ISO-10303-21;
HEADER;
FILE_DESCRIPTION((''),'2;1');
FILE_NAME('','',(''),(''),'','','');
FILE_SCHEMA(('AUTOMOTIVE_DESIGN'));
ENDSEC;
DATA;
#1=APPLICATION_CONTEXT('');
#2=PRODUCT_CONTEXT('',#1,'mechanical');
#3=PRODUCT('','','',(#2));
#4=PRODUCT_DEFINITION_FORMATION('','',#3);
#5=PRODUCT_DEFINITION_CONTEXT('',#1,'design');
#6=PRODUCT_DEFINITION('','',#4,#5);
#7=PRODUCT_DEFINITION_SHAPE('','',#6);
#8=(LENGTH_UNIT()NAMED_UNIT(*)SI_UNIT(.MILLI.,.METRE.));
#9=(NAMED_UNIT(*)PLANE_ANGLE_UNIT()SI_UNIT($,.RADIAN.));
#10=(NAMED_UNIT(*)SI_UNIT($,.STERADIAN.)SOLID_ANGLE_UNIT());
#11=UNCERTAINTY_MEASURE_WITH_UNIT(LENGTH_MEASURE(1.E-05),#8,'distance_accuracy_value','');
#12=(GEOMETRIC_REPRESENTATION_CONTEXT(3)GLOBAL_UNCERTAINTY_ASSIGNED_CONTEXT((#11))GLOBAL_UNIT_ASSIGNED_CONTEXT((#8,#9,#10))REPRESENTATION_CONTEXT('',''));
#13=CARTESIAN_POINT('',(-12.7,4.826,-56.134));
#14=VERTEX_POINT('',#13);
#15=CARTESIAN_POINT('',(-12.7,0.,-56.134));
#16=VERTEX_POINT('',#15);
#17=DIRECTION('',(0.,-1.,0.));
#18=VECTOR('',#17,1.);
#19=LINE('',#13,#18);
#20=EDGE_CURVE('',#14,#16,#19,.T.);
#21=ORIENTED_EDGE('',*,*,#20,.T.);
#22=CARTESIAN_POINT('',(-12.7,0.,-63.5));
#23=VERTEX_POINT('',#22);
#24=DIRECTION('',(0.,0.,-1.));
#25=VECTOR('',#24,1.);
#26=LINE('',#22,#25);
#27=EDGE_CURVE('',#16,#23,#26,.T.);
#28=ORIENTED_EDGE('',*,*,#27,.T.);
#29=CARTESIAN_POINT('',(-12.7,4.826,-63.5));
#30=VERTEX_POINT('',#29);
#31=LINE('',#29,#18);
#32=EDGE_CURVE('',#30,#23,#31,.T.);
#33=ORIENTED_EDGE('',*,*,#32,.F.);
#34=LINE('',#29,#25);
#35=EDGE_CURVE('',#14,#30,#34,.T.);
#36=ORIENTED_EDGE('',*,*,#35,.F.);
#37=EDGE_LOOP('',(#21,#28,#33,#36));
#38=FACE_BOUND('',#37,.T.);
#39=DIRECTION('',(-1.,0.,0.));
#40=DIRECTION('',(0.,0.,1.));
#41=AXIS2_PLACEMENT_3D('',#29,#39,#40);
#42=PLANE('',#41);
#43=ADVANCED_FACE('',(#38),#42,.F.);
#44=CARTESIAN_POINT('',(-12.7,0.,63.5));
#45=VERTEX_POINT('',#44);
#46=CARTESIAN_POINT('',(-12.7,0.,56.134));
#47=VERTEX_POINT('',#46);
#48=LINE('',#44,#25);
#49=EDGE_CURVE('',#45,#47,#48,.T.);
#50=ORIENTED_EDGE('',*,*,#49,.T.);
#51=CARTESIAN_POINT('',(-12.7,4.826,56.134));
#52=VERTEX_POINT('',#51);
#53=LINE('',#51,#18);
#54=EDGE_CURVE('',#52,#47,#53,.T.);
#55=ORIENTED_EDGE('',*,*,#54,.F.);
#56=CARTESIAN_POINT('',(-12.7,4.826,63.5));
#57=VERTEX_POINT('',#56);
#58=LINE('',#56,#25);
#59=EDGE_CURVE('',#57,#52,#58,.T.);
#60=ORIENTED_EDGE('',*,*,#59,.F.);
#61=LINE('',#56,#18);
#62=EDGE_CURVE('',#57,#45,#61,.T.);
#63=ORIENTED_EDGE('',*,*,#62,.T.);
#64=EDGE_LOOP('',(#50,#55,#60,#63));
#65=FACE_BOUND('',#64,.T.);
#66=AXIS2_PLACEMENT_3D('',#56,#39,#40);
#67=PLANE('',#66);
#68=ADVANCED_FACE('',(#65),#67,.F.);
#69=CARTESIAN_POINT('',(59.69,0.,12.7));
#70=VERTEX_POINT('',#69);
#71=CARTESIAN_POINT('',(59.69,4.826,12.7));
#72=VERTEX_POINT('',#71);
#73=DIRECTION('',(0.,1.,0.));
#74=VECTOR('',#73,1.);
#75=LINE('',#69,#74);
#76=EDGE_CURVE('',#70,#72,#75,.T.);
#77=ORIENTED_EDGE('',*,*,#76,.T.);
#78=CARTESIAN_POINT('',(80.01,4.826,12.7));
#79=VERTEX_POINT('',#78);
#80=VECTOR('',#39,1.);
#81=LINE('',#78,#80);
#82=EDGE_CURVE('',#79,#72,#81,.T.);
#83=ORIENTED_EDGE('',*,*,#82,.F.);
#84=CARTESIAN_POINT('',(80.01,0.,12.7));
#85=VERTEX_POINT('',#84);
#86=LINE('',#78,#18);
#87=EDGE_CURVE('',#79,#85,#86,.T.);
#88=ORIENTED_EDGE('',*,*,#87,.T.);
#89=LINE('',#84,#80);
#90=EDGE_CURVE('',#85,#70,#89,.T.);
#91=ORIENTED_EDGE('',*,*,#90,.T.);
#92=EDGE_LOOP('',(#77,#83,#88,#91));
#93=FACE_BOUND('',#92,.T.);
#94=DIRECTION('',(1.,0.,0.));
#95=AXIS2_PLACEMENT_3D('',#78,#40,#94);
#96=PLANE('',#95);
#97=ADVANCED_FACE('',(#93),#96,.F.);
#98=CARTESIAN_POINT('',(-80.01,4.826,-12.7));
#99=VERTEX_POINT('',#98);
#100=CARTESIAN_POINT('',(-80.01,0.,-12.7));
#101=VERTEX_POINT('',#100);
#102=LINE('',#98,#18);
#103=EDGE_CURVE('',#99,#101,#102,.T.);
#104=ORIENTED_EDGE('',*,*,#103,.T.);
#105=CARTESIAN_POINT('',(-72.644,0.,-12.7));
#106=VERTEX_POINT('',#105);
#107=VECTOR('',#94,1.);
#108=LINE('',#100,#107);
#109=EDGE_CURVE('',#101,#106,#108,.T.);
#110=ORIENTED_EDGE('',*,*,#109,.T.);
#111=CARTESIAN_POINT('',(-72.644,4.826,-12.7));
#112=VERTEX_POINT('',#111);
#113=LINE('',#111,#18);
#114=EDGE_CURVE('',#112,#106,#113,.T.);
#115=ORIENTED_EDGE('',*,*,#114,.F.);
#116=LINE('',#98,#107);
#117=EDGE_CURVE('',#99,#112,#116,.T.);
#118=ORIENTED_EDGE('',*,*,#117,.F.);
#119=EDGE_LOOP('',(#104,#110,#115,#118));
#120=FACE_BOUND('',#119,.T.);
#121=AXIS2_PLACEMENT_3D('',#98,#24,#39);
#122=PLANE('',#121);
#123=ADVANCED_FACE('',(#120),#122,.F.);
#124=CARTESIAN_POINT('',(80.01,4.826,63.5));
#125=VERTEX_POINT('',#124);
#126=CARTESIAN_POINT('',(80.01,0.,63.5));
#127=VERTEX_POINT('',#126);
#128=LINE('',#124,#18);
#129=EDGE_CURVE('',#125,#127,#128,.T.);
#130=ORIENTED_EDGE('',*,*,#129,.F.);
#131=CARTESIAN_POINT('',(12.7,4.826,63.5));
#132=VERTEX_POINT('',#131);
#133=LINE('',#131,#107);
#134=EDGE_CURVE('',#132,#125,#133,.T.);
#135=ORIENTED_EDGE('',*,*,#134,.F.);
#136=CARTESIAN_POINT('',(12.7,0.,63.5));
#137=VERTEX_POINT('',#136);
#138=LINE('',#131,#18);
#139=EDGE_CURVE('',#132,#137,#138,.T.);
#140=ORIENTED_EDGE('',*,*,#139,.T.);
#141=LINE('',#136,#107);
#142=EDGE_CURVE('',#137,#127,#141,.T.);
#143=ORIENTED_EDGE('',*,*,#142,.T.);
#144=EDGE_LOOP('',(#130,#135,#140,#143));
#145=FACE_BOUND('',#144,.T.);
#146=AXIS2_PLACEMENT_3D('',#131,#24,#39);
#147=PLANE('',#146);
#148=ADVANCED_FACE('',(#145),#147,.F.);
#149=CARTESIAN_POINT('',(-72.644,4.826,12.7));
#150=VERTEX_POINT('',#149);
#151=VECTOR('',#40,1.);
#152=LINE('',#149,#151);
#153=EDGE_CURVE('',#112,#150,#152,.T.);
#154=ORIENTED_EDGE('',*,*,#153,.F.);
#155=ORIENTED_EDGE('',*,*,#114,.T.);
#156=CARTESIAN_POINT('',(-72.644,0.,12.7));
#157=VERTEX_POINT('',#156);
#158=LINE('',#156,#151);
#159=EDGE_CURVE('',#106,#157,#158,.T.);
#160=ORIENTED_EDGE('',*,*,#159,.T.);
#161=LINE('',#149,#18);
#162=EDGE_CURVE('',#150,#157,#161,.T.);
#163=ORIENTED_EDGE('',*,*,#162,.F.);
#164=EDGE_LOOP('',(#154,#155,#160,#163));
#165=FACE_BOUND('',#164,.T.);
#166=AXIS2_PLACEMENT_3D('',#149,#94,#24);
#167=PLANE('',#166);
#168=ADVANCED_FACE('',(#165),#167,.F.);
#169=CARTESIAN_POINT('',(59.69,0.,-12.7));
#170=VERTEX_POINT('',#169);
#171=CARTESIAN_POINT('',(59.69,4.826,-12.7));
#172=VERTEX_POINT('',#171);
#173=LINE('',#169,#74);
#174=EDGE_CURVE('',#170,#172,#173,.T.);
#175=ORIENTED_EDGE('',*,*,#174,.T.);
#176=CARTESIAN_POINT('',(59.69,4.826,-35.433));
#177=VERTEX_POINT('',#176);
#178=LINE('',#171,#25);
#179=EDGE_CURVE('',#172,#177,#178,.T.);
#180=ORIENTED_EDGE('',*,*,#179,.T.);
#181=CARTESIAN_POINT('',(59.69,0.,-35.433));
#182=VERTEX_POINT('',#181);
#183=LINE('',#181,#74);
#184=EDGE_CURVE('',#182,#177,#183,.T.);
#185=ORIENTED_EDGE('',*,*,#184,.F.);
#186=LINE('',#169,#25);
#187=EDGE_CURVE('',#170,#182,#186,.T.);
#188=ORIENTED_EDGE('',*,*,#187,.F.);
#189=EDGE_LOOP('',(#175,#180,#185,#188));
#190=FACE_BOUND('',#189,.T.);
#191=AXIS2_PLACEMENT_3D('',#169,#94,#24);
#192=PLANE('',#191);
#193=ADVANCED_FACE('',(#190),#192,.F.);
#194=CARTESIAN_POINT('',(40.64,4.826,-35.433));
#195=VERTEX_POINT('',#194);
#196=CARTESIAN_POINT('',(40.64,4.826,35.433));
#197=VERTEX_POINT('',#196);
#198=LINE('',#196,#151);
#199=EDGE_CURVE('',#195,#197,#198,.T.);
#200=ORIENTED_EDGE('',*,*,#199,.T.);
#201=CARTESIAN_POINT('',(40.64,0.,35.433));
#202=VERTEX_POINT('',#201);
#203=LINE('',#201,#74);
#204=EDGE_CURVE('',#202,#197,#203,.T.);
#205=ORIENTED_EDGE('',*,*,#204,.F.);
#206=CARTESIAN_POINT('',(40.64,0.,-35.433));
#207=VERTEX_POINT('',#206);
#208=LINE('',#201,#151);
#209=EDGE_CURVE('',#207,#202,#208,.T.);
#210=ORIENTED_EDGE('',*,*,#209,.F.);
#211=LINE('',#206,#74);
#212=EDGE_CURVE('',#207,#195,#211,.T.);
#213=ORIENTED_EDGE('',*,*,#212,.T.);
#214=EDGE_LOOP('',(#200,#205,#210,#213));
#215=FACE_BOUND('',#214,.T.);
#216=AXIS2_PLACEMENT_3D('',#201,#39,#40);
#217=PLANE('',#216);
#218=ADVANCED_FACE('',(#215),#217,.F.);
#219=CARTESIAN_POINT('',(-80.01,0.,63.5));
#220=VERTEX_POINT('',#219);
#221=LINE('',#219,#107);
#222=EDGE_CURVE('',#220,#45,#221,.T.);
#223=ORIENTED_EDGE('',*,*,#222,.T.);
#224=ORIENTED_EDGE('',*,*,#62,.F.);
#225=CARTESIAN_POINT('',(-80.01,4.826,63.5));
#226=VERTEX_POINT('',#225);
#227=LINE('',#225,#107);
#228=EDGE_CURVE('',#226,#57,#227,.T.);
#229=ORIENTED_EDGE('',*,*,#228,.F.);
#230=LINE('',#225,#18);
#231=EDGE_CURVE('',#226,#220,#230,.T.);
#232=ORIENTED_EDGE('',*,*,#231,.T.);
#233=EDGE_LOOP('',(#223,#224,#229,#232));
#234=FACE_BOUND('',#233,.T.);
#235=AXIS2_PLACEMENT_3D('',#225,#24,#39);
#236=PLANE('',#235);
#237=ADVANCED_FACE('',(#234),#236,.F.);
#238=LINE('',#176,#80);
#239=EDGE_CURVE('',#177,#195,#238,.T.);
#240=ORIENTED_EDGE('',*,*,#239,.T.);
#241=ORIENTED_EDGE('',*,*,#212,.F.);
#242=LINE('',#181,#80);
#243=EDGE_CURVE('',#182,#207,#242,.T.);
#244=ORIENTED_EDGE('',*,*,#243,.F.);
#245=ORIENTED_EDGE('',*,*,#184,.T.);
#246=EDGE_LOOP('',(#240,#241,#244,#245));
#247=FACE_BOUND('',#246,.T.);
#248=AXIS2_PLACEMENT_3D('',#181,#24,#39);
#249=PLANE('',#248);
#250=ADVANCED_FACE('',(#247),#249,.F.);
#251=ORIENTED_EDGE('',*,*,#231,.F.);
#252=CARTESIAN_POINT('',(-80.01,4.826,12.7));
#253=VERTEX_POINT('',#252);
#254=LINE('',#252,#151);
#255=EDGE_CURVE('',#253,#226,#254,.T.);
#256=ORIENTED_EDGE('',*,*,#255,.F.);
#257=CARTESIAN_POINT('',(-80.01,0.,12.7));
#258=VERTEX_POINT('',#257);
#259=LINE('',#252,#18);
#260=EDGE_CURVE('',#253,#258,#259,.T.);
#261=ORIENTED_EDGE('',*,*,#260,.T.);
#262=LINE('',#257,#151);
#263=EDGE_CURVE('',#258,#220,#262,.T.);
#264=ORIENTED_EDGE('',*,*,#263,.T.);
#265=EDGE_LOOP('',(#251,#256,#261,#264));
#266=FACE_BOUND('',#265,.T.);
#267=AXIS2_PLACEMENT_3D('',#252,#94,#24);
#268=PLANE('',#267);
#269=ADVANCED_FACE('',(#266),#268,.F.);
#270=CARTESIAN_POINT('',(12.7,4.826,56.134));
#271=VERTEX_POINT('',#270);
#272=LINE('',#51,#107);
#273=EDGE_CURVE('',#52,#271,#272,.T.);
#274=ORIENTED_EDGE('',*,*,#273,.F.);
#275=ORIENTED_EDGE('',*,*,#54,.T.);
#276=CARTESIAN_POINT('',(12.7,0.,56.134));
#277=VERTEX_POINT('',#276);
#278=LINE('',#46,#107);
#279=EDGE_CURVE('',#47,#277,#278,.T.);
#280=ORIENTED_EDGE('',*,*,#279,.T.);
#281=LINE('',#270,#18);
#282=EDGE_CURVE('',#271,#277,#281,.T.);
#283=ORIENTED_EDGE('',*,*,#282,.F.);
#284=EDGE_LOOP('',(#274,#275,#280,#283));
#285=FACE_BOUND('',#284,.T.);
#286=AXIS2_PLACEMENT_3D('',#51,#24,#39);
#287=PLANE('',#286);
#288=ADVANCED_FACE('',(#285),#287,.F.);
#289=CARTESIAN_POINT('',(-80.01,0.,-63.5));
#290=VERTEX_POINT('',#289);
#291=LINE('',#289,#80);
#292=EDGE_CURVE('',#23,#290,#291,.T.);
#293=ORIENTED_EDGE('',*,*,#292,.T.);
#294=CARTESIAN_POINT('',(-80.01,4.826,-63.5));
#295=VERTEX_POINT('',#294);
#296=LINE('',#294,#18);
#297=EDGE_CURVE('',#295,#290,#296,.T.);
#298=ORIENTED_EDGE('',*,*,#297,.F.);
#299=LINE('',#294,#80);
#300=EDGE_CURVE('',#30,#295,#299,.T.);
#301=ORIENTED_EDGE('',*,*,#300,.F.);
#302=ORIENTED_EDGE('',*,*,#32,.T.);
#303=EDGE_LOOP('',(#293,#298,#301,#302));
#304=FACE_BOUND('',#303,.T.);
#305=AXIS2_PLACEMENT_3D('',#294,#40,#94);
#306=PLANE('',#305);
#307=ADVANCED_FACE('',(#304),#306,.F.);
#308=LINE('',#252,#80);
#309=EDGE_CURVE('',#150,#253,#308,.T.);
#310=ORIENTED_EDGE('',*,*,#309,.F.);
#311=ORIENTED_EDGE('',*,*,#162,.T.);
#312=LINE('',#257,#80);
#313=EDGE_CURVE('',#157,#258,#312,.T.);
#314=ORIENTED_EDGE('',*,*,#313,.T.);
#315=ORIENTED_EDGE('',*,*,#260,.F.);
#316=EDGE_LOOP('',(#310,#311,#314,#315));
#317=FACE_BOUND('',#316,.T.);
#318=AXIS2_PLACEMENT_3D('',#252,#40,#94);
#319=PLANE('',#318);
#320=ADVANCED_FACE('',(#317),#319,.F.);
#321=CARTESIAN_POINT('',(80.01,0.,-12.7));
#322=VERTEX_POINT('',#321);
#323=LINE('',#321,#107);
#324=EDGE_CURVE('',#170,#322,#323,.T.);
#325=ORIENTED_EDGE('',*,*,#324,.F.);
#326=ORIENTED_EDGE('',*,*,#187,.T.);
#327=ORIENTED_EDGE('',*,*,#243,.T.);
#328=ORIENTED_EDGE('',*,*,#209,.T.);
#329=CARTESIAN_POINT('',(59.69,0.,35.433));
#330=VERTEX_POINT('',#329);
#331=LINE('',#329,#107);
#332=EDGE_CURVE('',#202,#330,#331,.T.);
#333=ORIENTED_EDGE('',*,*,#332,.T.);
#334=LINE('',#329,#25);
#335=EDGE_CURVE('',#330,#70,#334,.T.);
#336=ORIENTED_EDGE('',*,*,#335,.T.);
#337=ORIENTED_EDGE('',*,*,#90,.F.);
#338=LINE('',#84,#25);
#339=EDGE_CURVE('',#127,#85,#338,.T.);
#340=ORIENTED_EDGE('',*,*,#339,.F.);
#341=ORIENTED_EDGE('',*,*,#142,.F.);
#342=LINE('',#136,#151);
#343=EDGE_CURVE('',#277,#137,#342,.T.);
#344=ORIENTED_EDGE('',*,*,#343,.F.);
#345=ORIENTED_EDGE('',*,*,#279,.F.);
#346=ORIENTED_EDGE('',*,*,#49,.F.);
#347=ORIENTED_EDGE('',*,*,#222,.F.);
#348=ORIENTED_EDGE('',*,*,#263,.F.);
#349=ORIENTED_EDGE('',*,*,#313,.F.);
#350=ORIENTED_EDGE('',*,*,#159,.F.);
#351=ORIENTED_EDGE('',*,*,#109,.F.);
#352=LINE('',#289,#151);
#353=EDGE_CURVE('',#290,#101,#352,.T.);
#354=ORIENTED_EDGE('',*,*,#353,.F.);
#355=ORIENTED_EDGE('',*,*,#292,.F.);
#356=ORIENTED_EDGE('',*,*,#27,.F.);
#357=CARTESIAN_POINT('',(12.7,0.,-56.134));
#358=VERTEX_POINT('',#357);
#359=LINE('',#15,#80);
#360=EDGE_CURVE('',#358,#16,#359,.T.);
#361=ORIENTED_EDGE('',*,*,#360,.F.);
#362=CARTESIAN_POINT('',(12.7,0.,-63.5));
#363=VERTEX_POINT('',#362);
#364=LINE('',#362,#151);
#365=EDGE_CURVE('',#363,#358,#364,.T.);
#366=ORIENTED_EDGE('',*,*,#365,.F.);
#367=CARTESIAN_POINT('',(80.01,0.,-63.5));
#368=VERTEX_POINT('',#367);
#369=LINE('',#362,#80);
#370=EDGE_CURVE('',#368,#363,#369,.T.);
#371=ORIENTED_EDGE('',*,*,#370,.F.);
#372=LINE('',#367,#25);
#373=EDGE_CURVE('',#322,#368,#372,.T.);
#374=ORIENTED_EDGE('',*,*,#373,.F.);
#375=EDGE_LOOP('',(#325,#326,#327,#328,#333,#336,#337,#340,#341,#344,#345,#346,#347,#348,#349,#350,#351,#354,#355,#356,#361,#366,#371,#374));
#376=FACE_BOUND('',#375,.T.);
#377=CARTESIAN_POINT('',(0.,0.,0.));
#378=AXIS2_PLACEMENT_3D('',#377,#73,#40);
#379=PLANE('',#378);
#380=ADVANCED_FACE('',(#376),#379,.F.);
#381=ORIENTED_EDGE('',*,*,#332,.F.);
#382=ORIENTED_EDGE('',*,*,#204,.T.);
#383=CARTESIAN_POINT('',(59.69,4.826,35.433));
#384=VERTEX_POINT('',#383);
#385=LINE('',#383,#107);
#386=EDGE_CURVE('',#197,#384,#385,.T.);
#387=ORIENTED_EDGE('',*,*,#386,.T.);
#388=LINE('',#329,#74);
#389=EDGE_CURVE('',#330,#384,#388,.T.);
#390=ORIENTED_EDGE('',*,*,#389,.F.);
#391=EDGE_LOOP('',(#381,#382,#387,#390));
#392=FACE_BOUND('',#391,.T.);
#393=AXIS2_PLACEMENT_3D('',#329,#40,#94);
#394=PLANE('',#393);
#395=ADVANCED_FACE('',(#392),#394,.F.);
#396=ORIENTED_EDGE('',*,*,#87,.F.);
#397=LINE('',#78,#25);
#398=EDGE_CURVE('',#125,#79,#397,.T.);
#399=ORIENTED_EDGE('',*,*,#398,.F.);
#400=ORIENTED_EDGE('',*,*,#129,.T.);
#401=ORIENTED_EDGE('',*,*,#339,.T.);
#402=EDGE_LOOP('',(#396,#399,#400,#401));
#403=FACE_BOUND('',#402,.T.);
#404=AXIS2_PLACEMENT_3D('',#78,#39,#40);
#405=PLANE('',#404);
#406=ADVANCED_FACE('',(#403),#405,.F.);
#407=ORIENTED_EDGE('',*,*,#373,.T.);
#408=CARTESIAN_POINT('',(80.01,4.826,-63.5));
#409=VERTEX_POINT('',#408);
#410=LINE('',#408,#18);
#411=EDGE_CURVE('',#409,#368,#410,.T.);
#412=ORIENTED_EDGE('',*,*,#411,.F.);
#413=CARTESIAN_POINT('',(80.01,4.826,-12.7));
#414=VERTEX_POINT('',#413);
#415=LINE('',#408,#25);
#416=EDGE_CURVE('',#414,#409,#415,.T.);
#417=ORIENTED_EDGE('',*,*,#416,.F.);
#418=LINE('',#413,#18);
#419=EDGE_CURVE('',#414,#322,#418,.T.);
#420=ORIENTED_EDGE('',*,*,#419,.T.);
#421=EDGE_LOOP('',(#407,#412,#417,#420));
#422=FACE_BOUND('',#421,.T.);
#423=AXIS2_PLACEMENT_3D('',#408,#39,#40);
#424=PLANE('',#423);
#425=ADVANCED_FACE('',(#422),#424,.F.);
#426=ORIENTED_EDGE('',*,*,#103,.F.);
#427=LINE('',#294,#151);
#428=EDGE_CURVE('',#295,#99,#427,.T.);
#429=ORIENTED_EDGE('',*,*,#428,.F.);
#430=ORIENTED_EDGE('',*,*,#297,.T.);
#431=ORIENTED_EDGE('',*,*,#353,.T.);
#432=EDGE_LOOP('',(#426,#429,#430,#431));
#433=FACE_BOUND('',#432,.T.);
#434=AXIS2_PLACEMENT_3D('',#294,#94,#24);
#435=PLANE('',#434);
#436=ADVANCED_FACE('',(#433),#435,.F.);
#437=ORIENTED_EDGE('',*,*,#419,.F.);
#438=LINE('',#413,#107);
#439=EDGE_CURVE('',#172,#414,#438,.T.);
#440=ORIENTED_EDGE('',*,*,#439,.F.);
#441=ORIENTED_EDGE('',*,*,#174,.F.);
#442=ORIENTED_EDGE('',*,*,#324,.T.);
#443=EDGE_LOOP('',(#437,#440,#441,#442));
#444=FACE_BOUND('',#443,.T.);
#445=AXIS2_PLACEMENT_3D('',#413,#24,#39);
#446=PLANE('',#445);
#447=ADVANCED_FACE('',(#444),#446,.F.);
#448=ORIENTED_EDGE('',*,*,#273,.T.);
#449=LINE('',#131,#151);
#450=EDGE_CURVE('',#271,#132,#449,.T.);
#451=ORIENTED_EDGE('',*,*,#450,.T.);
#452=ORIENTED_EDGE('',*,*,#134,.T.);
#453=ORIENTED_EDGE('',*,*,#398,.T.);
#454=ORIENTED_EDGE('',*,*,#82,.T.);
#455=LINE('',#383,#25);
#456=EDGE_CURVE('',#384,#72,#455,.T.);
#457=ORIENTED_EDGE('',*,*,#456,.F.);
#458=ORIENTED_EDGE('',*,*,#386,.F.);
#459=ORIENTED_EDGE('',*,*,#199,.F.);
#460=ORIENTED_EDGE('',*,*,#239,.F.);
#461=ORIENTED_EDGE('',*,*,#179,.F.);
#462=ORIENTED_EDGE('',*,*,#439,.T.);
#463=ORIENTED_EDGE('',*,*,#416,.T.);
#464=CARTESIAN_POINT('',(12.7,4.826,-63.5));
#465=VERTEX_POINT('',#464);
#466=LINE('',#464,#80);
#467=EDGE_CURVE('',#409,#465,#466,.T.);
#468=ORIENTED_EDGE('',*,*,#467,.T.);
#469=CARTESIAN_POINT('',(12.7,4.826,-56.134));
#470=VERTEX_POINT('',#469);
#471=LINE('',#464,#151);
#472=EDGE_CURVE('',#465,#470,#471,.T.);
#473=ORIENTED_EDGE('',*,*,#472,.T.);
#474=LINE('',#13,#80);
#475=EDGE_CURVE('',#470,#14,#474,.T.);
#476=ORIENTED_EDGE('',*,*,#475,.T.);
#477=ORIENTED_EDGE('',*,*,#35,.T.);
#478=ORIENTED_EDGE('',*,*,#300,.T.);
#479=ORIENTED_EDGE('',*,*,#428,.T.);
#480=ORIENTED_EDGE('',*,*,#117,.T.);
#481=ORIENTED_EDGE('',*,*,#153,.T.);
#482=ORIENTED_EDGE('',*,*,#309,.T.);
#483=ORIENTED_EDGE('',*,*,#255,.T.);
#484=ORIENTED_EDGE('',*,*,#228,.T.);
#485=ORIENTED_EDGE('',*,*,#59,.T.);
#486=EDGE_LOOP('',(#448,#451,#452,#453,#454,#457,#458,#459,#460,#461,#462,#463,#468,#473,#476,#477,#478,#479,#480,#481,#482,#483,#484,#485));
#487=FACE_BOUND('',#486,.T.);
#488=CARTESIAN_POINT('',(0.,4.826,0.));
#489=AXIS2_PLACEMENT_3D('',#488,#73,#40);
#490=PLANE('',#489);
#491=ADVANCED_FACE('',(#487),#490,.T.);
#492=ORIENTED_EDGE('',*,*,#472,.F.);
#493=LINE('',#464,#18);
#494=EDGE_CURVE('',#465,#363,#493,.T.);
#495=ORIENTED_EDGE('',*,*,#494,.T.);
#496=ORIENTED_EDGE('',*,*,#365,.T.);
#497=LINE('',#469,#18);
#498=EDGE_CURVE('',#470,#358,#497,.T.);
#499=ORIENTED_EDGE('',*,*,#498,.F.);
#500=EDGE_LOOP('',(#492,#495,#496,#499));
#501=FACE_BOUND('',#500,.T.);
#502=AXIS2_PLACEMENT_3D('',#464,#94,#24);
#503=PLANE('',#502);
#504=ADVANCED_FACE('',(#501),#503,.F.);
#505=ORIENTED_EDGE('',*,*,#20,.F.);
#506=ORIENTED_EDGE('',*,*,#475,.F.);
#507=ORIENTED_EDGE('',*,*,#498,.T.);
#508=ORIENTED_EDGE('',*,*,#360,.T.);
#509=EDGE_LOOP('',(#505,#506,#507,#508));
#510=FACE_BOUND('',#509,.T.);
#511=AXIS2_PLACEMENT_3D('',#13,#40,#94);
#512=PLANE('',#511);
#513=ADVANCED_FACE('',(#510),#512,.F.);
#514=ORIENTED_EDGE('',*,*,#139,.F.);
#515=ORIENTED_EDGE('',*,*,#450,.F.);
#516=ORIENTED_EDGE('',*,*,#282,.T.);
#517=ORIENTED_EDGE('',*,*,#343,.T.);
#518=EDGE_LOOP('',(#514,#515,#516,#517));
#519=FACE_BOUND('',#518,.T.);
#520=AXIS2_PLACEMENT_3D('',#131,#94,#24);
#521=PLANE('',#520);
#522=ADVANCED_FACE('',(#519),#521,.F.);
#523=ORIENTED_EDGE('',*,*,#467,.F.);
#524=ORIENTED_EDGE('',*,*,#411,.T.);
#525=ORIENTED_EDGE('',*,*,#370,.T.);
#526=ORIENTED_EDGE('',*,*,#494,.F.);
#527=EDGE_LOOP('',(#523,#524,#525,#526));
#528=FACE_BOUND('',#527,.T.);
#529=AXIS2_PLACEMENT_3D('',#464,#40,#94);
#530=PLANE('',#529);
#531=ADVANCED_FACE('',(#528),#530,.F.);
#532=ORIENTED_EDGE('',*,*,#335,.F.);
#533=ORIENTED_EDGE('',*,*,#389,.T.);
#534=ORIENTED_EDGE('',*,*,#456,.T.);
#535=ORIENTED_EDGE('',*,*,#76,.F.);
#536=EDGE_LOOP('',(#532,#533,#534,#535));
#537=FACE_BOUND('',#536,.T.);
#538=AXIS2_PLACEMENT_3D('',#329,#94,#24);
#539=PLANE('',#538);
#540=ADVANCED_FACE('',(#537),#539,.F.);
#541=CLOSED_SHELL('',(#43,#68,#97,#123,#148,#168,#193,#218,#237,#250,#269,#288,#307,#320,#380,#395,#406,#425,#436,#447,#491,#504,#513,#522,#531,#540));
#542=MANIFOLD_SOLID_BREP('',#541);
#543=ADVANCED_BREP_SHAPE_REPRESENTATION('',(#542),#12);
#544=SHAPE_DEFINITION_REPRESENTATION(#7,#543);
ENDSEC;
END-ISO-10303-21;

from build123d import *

# Parameters (mm, degrees)
BOSS_EXTRUDE1_DEPTH = 4.826
CUT_EXTRUDE1_DEPTH  = 4.826


with BuildPart() as part:
    # Sketch1 → Boss-Extrude1 (new body)
    with BuildSketch(Plane(origin=(0, 0, 0), x_dir=(1, 0, 0), z_dir=(0, 1, 0))):
        Polygon((-80.01, 63.5), (-12.7, 63.5), (-12.7, 56.134), (12.7, 56.134), (12.7, 63.5), (80.01, 63.5), (80.01, 12.7), (72.644, 12.7), (72.644, -12.7), (80.01, -12.7), (80.01, -63.5), (12.7, -63.5), (12.7, -56.134), (-12.7, -56.134), (-12.7, -63.5), (-80.01, -63.5), (-80.01, -12.7), (-72.644, -12.7), (-72.644, 12.7), (-80.01, 12.7), align=None)
    extrude(amount=BOSS_EXTRUDE1_DEPTH)

    # Sketch3 → Cut-Extrude1 (cut)
    with BuildSketch(Plane(origin=(0, 4.826, 0), x_dir=(1, 0, 0), z_dir=(0, 1, 0))):
        Polygon((59.69, -35.433), (40.64, -35.433), (40.64, 35.433), (59.69, 35.433), (59.69, 12.7), (72.644, 12.7), (72.644, -12.7), (59.69, -12.7), align=None)
    extrude(amount=-CUT_EXTRUDE1_DEPTH, mode=Mode.SUBTRACT)


solid = part.part
